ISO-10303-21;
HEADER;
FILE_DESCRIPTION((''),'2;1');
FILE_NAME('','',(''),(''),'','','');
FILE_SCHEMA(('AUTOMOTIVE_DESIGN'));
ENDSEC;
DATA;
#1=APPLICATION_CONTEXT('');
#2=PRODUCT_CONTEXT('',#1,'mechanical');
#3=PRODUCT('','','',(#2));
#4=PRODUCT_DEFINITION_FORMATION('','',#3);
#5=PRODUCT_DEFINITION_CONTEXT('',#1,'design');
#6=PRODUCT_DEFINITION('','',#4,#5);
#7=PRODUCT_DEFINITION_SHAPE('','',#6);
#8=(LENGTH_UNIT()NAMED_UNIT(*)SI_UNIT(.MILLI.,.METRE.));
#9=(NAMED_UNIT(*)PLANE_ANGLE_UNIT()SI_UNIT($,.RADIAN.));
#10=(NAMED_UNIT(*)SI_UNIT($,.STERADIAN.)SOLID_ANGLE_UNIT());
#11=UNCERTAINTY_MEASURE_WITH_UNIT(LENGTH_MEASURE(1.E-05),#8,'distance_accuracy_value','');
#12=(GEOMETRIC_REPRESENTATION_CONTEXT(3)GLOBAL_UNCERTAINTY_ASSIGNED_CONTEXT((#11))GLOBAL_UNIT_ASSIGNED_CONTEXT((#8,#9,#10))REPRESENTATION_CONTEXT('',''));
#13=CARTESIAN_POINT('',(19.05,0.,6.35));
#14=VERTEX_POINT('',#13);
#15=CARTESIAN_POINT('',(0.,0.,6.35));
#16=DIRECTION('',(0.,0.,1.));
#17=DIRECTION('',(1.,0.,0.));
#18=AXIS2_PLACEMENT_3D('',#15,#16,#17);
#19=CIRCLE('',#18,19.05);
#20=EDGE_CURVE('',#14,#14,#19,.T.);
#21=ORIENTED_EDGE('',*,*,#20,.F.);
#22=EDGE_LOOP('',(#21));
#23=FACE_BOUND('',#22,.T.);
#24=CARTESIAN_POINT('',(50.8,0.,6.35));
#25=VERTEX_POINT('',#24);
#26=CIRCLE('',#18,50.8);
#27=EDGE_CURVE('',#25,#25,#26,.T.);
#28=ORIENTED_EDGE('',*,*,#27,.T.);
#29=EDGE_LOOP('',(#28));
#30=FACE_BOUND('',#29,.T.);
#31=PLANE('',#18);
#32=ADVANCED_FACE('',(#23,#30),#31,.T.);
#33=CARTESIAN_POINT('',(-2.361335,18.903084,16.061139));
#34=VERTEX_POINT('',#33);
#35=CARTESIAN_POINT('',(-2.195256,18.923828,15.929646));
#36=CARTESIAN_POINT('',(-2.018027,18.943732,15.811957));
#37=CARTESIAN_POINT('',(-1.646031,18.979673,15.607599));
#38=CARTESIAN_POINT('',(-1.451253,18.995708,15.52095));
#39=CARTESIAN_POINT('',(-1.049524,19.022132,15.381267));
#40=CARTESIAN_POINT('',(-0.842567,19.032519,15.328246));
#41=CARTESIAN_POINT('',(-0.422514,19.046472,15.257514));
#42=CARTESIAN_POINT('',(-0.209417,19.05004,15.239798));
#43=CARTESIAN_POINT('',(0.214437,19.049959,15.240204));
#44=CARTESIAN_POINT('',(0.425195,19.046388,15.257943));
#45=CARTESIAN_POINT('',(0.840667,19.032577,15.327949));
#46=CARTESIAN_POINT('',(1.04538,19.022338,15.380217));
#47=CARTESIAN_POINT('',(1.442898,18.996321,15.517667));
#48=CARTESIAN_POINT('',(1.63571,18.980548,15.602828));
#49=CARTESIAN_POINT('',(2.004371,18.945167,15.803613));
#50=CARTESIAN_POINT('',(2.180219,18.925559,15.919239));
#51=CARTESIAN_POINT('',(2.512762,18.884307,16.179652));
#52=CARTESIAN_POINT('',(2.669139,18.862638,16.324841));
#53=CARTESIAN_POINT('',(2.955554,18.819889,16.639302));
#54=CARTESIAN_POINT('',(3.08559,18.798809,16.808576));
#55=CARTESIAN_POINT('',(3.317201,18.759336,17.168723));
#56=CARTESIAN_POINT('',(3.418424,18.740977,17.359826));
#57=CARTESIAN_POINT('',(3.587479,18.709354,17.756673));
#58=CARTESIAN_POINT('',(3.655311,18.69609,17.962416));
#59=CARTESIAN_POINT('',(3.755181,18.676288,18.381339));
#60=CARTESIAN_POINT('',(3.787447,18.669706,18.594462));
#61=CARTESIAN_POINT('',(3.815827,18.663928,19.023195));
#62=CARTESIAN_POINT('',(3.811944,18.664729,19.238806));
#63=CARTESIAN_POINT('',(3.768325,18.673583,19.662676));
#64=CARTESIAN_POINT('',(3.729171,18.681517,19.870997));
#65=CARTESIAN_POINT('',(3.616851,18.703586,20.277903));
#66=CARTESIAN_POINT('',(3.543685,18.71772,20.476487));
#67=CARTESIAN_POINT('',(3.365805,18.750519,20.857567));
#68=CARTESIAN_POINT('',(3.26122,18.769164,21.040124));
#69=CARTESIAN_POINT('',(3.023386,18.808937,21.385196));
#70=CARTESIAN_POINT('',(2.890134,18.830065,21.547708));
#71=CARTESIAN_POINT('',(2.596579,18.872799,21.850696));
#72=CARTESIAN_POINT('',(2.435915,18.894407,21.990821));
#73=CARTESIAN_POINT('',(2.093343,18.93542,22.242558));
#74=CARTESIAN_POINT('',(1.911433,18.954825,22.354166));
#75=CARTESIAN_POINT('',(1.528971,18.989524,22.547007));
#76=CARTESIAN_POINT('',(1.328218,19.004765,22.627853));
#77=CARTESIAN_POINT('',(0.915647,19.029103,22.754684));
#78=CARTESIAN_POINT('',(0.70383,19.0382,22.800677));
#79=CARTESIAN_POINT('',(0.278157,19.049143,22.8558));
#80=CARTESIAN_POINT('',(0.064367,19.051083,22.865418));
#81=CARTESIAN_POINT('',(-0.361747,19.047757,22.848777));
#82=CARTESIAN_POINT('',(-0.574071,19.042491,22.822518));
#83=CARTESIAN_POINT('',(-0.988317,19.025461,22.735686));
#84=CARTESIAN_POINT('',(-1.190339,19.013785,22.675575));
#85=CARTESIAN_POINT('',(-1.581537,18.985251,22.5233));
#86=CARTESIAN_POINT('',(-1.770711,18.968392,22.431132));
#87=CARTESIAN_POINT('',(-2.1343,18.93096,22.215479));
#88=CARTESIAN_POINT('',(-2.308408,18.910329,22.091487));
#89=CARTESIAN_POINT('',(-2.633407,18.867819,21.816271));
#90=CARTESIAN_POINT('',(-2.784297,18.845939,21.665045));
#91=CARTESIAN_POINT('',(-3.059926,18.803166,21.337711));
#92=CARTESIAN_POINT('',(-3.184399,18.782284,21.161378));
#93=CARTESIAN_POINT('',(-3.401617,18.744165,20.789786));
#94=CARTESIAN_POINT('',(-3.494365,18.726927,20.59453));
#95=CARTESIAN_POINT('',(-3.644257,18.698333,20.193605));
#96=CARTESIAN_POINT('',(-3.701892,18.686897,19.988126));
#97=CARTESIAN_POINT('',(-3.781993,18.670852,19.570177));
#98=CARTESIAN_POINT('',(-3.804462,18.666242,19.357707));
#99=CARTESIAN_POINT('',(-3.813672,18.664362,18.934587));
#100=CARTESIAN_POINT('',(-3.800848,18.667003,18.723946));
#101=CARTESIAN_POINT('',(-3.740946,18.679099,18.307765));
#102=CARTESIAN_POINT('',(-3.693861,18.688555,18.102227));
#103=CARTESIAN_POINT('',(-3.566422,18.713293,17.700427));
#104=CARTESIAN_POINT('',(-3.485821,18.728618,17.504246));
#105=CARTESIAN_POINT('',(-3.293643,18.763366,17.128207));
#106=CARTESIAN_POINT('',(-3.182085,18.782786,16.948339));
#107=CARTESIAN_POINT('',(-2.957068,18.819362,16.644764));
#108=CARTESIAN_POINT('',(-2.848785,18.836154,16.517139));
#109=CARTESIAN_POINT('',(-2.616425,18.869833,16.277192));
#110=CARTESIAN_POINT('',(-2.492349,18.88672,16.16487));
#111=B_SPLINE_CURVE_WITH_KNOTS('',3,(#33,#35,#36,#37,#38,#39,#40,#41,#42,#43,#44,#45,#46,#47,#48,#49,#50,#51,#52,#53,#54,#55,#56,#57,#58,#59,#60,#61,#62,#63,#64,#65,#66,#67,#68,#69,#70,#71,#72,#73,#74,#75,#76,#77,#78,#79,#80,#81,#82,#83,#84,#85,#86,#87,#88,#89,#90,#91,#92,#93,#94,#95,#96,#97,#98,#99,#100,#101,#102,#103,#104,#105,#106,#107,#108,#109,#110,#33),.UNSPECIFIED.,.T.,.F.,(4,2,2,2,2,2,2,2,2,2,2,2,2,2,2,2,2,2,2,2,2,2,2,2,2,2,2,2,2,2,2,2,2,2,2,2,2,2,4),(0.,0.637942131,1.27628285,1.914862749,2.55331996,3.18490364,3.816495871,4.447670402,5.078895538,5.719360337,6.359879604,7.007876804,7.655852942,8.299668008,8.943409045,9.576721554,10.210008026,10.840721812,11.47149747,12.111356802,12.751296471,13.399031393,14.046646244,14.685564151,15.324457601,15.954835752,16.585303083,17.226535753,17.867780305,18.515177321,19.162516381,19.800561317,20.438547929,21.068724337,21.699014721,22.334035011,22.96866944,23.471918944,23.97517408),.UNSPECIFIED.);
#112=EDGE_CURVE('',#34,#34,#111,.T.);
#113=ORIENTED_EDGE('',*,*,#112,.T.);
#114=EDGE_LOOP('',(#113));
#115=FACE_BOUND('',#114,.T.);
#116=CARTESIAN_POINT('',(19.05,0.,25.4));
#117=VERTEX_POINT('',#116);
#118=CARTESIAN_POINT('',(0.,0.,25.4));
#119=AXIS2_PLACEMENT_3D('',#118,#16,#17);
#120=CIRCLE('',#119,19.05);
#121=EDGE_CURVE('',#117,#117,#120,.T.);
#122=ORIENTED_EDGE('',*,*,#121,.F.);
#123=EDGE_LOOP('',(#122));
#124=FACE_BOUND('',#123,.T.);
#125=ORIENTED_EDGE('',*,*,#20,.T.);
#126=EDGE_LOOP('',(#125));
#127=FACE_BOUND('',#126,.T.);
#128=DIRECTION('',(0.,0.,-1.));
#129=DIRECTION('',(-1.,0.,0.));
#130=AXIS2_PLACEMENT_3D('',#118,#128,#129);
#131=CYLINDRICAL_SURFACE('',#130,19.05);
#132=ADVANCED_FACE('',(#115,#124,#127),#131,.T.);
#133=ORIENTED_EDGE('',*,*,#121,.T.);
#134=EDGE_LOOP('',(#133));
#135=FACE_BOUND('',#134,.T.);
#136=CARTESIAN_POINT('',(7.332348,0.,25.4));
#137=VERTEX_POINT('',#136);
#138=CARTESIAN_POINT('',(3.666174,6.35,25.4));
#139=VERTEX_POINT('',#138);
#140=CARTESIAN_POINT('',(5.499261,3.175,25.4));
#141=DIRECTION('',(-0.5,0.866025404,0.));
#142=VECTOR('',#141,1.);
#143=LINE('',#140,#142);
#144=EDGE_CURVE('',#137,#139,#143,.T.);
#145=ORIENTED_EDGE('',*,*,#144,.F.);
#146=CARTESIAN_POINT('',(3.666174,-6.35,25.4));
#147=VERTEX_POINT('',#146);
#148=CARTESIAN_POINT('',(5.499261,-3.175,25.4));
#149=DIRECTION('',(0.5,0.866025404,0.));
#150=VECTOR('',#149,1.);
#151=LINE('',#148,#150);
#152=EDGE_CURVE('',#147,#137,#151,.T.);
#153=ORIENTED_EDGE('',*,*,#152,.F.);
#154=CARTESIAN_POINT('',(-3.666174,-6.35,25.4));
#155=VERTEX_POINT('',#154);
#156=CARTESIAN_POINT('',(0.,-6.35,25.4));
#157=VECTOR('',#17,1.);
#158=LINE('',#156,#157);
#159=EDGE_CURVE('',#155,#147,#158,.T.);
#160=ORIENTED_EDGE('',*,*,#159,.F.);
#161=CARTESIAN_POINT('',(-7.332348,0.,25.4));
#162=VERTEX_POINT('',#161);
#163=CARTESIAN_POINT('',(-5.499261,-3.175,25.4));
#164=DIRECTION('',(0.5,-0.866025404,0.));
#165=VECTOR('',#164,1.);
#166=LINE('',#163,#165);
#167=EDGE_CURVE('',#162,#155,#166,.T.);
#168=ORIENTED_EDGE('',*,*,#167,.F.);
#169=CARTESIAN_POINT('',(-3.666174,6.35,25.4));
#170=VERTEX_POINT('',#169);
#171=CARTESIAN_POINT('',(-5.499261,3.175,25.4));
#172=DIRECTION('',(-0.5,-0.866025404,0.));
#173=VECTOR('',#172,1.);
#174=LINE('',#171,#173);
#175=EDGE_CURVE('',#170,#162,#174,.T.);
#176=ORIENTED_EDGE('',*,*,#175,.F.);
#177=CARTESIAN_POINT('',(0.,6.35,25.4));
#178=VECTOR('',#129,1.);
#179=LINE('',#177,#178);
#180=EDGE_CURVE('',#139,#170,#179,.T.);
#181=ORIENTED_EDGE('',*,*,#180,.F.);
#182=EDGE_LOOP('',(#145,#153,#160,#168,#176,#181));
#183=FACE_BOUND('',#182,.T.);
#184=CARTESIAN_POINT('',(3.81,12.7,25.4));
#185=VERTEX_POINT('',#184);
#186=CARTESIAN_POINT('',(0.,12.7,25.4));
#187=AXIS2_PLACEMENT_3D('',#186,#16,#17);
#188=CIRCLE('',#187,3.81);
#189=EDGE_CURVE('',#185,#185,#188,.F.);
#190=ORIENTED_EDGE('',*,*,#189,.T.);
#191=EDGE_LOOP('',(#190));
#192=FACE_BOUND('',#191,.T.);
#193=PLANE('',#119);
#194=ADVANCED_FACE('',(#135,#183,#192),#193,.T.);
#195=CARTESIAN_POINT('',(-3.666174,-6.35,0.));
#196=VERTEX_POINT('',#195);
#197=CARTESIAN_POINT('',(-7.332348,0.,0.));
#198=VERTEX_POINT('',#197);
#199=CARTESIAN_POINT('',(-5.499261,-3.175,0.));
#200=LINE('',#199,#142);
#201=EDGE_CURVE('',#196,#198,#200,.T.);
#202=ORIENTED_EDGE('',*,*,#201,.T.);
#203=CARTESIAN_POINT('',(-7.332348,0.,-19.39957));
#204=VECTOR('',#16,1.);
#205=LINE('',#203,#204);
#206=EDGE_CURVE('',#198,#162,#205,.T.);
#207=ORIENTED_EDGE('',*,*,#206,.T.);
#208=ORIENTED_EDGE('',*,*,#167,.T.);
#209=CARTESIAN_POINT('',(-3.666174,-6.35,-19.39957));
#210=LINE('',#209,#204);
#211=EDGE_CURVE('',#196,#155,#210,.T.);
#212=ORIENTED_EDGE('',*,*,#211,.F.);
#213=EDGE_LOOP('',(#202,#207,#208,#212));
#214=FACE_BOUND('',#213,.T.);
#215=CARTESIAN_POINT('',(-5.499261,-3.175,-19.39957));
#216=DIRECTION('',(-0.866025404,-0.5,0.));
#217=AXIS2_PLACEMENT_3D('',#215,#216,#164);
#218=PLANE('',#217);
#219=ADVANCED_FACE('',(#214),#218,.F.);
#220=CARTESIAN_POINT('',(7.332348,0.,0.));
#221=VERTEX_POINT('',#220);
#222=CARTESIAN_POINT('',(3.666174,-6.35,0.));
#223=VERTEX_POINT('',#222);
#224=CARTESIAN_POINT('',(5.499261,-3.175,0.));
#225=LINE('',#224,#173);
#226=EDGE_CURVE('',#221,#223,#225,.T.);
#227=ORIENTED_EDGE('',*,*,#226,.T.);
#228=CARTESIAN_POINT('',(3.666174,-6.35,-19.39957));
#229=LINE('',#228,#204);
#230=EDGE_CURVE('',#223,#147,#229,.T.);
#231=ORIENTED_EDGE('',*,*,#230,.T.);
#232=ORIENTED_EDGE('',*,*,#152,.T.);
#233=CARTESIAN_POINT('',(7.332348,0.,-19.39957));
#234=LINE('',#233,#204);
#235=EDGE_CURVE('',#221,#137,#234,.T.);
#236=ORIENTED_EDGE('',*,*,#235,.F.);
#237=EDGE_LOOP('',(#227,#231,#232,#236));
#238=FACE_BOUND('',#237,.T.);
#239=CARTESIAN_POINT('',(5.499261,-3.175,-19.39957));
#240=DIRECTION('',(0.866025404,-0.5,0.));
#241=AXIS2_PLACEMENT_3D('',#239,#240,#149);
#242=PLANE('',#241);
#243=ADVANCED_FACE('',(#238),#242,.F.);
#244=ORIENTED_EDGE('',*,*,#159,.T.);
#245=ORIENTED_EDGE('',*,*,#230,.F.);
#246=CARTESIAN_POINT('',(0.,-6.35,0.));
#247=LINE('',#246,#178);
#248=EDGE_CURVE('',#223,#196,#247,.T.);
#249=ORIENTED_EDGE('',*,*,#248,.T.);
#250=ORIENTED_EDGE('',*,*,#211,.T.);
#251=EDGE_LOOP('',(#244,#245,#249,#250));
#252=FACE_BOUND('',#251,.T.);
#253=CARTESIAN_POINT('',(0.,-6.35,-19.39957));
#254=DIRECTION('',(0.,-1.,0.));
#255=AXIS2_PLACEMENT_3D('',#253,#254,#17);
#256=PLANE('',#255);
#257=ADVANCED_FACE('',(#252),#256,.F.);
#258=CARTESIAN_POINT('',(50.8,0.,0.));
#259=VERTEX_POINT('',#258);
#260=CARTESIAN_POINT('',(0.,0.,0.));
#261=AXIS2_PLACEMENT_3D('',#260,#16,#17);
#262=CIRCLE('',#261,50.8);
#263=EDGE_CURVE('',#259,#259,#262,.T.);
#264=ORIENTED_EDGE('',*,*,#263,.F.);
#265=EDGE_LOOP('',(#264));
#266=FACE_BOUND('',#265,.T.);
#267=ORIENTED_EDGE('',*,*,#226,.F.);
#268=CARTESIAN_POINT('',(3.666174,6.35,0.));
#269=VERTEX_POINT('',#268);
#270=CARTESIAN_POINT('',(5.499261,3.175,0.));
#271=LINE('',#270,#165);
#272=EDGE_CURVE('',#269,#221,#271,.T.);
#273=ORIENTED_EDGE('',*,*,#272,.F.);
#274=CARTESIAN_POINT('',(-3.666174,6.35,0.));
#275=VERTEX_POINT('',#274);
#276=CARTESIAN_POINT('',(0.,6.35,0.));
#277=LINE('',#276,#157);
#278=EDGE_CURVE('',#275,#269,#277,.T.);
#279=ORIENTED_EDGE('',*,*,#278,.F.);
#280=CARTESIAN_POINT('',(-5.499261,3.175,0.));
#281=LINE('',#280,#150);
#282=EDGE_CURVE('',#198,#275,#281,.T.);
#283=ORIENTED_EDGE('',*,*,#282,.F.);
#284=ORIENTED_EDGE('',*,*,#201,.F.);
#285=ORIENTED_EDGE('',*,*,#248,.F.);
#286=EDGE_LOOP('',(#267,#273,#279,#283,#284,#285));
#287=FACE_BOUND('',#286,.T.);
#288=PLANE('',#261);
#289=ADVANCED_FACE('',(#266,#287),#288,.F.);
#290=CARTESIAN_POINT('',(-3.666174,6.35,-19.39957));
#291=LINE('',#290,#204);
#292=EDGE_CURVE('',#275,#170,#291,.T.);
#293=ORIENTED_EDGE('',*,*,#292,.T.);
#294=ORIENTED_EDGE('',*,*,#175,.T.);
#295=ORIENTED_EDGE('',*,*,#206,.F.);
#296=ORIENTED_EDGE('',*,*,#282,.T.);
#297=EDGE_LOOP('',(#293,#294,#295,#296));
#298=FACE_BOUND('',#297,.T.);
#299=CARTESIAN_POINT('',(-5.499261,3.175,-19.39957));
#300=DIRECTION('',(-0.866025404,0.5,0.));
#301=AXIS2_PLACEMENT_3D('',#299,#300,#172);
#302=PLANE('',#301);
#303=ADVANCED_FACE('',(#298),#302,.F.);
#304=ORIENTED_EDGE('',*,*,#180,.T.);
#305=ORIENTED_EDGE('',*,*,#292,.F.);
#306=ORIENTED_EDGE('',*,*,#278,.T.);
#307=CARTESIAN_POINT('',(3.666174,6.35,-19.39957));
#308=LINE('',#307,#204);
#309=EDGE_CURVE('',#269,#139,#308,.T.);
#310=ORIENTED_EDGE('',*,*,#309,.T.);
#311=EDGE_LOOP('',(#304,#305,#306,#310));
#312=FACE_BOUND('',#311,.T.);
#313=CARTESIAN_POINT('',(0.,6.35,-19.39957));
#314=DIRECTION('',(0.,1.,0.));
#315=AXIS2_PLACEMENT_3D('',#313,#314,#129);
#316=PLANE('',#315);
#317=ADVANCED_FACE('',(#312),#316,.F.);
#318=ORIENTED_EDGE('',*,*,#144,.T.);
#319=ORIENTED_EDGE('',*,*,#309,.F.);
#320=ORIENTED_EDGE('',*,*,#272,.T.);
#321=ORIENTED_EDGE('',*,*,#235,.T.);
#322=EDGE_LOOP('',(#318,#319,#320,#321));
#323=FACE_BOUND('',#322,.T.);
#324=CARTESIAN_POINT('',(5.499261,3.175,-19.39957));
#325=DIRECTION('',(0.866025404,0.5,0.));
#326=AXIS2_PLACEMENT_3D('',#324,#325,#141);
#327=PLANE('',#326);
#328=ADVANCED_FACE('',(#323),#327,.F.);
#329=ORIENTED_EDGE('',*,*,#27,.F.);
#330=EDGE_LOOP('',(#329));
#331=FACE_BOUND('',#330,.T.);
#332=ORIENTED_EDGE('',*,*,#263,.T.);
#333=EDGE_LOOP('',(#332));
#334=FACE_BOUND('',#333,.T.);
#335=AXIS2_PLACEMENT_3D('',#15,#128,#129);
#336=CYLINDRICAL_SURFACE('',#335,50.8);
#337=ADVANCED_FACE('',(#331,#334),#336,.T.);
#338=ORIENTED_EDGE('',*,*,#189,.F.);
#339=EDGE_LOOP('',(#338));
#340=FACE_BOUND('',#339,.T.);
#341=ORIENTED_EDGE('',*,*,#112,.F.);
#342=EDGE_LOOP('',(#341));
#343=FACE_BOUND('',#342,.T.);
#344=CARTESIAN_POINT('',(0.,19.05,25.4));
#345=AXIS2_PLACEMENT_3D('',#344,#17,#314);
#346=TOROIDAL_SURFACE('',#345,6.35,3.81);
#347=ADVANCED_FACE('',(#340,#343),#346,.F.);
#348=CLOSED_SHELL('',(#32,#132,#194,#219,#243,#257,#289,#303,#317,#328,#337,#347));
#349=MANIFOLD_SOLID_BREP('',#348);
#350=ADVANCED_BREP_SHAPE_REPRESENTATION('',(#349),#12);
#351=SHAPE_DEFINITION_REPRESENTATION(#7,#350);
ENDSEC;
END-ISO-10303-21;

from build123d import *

# Parameters (mm, degrees)
SKETCH1_R           = 50.8
BOSS_EXTRUDE1_DEPTH = 6.35
SKETCH2_R           = 19.05
BOSS_EXTRUDE2_DEPTH = 19.05
CUT_EXTRUDE1_DEPTH  = 25.4
SKETCH4_R           = 3.81


with BuildPart() as part:
    # Sketch1 → Boss-Extrude1 (new body)
    with BuildSketch(Plane.XY):
        Circle(SKETCH1_R)
    extrude(amount=BOSS_EXTRUDE1_DEPTH)

    # Sketch2 → Boss-Extrude2 (add)
    with BuildSketch(Plane.XY.offset(6.35)):
        with Locations(Location((0, 0, 0), (0, 0, 180))):
            Circle(SKETCH2_R)
    extrude(amount=BOSS_EXTRUDE2_DEPTH)

    # Sketch3 → Cut-Extrude1 (cut)
    with BuildSketch(Plane.XY.offset(25.4)):
        Polygon((7.332348419, 0), (3.666174209, 6.35), (-3.666174209, 6.35), (-7.332348419, 0), (-3.666174209, -6.35), (3.666174209, -6.35), align=None)
    extrude(amount=-CUT_EXTRUDE1_DEPTH, mode=Mode.SUBTRACT)

    # Sketch4 → Cut-Revolve1 (revolve, cut)
    with BuildSketch(Plane(origin=(0, 19.05, 0), x_dir=(1, 0, 0), z_dir=(0, 1, 0)), mode=Mode.PRIVATE) as cut_revolve1_sk:
        with Locations((0, -19.05)):
            Circle(SKETCH4_R)
    revolve(cut_revolve1_sk.sketch.rotate(Axis((25.4, 19.05, 25.4), (-1, 0, 0)), 45.450641154), axis=Axis((25.4, 19.05, 25.4), (-1, 0, 0)), mode=Mode.SUBTRACT)


solid = part.part
